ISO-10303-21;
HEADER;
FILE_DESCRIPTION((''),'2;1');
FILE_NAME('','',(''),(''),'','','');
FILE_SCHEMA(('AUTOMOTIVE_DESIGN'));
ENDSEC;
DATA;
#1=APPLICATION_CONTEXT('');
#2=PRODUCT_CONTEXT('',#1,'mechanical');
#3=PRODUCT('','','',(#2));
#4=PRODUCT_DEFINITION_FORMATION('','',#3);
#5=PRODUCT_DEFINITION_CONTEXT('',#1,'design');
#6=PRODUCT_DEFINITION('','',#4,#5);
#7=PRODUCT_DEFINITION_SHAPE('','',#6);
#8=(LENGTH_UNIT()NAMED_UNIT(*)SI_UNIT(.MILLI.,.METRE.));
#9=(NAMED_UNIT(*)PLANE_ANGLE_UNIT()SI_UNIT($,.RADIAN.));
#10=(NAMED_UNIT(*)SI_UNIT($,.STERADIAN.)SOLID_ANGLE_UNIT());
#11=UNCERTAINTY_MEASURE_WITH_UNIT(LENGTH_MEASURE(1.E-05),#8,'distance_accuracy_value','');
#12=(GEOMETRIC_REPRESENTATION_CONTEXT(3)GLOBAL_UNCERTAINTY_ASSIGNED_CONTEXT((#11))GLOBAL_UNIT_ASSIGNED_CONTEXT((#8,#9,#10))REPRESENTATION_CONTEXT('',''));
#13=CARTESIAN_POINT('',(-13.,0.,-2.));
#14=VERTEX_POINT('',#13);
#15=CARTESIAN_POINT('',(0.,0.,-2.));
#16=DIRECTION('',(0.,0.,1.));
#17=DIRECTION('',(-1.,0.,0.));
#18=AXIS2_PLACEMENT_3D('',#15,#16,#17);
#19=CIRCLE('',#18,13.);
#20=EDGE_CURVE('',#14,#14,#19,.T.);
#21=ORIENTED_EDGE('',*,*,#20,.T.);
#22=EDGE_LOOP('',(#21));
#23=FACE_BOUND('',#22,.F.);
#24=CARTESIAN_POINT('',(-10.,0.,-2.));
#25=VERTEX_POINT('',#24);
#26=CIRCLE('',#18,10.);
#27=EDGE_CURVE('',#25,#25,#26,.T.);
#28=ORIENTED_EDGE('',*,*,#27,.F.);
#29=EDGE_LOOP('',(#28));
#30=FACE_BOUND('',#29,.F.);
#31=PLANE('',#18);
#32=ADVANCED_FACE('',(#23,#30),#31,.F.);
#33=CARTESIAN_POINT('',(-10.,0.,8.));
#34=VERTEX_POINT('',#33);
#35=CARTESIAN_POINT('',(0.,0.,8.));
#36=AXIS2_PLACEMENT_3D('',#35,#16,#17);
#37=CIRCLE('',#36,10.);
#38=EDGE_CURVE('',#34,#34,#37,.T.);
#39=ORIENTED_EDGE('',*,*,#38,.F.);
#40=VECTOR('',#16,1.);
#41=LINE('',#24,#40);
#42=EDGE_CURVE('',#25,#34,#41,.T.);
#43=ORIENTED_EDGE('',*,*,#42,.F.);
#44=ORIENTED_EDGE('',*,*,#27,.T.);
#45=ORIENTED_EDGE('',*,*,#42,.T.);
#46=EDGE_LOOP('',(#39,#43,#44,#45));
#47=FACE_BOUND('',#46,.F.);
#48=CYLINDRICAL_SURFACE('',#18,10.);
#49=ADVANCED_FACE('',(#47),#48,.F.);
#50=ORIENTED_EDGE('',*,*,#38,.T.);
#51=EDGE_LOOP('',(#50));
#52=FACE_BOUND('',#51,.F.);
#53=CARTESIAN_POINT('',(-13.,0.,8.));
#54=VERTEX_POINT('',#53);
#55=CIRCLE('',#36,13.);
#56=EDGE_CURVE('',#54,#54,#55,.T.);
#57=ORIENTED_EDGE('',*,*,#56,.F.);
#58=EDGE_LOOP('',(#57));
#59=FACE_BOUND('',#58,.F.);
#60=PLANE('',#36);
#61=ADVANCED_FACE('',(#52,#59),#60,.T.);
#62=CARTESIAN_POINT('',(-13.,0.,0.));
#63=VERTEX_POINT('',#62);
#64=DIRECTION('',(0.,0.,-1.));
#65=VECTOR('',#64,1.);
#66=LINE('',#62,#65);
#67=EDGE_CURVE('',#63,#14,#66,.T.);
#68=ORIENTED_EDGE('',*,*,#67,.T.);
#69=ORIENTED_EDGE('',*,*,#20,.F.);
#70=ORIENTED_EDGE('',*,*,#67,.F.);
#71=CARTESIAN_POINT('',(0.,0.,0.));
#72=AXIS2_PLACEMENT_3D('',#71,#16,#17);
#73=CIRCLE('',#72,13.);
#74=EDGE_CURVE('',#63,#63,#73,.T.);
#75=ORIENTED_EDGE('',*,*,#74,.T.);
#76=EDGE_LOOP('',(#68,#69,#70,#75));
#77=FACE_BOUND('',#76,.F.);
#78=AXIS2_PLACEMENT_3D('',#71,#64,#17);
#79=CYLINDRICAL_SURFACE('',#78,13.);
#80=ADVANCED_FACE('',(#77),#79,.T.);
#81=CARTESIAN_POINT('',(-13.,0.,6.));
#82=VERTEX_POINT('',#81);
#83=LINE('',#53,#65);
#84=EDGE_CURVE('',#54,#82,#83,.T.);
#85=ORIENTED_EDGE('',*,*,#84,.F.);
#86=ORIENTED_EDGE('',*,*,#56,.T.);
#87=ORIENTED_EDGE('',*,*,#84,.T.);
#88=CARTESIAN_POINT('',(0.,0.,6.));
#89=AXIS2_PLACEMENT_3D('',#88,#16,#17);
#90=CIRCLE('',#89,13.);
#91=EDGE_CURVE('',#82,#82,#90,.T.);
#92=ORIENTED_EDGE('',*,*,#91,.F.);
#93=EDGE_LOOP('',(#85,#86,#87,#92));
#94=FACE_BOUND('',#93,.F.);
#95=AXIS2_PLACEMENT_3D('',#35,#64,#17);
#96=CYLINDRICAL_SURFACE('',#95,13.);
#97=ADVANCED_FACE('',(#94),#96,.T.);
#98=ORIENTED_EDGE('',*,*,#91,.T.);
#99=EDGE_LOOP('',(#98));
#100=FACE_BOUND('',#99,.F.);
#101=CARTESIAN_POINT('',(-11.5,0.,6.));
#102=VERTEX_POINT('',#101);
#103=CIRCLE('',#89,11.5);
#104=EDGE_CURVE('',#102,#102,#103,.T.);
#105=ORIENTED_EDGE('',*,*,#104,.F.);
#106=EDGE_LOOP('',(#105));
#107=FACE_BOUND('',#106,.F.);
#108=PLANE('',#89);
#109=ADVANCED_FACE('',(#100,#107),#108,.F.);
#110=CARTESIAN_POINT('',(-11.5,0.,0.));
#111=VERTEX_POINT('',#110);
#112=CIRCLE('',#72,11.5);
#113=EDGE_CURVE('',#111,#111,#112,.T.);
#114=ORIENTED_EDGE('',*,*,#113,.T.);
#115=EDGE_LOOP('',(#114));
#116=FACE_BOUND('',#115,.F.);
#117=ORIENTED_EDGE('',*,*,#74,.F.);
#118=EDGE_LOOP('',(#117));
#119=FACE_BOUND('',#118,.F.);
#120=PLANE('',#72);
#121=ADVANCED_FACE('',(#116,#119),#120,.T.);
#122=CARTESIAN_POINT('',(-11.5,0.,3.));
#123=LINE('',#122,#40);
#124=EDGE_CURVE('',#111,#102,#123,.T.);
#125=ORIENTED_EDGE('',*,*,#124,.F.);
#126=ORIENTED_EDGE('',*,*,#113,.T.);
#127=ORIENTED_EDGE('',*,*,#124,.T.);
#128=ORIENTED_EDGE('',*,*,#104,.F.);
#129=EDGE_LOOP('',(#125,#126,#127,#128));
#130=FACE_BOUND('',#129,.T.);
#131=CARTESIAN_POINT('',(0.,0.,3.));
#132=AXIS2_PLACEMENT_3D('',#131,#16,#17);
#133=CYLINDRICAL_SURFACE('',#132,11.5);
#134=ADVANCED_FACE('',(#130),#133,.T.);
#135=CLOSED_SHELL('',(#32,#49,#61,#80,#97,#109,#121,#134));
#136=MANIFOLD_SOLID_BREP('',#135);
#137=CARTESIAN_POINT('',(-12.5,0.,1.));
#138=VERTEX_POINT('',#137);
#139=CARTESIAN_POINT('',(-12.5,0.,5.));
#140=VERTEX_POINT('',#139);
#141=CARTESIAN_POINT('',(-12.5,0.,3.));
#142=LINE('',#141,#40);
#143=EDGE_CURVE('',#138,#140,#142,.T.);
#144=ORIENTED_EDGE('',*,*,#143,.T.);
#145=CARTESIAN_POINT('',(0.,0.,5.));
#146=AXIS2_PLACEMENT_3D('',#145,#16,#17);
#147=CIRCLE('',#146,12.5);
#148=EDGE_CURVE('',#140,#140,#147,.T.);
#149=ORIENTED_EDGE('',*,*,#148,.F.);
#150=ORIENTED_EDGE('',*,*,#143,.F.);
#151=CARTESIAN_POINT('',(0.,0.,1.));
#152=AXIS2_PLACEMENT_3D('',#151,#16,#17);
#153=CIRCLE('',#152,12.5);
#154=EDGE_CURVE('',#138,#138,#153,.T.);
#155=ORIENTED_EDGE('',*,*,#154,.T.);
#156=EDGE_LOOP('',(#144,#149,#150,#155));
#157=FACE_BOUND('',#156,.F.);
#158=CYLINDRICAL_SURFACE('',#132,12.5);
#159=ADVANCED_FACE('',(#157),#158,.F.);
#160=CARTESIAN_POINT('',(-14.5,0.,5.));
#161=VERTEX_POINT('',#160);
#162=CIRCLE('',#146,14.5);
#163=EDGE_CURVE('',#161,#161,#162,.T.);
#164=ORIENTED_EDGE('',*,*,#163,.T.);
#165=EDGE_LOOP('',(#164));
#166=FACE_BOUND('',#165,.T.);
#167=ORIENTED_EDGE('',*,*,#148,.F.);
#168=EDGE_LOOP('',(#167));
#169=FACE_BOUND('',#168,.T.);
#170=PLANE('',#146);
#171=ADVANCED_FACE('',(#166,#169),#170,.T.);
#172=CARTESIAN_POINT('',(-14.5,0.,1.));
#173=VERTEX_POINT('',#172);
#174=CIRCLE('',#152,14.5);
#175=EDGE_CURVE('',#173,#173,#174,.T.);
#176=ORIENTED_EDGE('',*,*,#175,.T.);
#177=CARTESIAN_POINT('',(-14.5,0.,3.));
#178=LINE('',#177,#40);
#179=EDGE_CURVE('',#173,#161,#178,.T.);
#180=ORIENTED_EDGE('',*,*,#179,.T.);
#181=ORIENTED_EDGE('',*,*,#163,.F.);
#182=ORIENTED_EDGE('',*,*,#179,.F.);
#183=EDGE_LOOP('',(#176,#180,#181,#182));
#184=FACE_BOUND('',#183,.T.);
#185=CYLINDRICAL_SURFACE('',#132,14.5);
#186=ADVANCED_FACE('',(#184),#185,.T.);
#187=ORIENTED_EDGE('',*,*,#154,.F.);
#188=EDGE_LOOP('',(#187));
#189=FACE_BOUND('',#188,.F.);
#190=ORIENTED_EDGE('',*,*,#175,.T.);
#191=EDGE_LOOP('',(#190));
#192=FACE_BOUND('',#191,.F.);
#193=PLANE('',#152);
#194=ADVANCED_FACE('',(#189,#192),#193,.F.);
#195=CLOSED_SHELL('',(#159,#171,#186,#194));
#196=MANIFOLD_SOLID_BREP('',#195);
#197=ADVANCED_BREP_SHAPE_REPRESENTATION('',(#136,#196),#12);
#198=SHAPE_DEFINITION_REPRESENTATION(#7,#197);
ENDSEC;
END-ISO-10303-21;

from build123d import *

# Parameters (mm, degrees)
F0_W   = 1.5
F0_H   = 6
F0_W_2 = 2
F0_H_2 = 4


with BuildPart() as f1:
    # F0 (on Front) → F1 (revolve)
    with BuildSketch(Plane.XZ):
        Polygon((-11.5, 6), (-10, 6), (-10, 8), (-13, 8), (-13, 6), align=None)
        with Locations((-10.75, 3)):
            Rectangle(F0_W, F0_H)
        Polygon((-10, -2), (-10, 0), (-11.5, 0), (-13, 0), (-13, -2), align=None)
        with Locations((-13.5, 3)):
            Rectangle(F0_W_2, F0_H_2)
    revolve(axis=Axis((0, 0, 3.658223), (0, 0, 1)))


solid = f1.part
